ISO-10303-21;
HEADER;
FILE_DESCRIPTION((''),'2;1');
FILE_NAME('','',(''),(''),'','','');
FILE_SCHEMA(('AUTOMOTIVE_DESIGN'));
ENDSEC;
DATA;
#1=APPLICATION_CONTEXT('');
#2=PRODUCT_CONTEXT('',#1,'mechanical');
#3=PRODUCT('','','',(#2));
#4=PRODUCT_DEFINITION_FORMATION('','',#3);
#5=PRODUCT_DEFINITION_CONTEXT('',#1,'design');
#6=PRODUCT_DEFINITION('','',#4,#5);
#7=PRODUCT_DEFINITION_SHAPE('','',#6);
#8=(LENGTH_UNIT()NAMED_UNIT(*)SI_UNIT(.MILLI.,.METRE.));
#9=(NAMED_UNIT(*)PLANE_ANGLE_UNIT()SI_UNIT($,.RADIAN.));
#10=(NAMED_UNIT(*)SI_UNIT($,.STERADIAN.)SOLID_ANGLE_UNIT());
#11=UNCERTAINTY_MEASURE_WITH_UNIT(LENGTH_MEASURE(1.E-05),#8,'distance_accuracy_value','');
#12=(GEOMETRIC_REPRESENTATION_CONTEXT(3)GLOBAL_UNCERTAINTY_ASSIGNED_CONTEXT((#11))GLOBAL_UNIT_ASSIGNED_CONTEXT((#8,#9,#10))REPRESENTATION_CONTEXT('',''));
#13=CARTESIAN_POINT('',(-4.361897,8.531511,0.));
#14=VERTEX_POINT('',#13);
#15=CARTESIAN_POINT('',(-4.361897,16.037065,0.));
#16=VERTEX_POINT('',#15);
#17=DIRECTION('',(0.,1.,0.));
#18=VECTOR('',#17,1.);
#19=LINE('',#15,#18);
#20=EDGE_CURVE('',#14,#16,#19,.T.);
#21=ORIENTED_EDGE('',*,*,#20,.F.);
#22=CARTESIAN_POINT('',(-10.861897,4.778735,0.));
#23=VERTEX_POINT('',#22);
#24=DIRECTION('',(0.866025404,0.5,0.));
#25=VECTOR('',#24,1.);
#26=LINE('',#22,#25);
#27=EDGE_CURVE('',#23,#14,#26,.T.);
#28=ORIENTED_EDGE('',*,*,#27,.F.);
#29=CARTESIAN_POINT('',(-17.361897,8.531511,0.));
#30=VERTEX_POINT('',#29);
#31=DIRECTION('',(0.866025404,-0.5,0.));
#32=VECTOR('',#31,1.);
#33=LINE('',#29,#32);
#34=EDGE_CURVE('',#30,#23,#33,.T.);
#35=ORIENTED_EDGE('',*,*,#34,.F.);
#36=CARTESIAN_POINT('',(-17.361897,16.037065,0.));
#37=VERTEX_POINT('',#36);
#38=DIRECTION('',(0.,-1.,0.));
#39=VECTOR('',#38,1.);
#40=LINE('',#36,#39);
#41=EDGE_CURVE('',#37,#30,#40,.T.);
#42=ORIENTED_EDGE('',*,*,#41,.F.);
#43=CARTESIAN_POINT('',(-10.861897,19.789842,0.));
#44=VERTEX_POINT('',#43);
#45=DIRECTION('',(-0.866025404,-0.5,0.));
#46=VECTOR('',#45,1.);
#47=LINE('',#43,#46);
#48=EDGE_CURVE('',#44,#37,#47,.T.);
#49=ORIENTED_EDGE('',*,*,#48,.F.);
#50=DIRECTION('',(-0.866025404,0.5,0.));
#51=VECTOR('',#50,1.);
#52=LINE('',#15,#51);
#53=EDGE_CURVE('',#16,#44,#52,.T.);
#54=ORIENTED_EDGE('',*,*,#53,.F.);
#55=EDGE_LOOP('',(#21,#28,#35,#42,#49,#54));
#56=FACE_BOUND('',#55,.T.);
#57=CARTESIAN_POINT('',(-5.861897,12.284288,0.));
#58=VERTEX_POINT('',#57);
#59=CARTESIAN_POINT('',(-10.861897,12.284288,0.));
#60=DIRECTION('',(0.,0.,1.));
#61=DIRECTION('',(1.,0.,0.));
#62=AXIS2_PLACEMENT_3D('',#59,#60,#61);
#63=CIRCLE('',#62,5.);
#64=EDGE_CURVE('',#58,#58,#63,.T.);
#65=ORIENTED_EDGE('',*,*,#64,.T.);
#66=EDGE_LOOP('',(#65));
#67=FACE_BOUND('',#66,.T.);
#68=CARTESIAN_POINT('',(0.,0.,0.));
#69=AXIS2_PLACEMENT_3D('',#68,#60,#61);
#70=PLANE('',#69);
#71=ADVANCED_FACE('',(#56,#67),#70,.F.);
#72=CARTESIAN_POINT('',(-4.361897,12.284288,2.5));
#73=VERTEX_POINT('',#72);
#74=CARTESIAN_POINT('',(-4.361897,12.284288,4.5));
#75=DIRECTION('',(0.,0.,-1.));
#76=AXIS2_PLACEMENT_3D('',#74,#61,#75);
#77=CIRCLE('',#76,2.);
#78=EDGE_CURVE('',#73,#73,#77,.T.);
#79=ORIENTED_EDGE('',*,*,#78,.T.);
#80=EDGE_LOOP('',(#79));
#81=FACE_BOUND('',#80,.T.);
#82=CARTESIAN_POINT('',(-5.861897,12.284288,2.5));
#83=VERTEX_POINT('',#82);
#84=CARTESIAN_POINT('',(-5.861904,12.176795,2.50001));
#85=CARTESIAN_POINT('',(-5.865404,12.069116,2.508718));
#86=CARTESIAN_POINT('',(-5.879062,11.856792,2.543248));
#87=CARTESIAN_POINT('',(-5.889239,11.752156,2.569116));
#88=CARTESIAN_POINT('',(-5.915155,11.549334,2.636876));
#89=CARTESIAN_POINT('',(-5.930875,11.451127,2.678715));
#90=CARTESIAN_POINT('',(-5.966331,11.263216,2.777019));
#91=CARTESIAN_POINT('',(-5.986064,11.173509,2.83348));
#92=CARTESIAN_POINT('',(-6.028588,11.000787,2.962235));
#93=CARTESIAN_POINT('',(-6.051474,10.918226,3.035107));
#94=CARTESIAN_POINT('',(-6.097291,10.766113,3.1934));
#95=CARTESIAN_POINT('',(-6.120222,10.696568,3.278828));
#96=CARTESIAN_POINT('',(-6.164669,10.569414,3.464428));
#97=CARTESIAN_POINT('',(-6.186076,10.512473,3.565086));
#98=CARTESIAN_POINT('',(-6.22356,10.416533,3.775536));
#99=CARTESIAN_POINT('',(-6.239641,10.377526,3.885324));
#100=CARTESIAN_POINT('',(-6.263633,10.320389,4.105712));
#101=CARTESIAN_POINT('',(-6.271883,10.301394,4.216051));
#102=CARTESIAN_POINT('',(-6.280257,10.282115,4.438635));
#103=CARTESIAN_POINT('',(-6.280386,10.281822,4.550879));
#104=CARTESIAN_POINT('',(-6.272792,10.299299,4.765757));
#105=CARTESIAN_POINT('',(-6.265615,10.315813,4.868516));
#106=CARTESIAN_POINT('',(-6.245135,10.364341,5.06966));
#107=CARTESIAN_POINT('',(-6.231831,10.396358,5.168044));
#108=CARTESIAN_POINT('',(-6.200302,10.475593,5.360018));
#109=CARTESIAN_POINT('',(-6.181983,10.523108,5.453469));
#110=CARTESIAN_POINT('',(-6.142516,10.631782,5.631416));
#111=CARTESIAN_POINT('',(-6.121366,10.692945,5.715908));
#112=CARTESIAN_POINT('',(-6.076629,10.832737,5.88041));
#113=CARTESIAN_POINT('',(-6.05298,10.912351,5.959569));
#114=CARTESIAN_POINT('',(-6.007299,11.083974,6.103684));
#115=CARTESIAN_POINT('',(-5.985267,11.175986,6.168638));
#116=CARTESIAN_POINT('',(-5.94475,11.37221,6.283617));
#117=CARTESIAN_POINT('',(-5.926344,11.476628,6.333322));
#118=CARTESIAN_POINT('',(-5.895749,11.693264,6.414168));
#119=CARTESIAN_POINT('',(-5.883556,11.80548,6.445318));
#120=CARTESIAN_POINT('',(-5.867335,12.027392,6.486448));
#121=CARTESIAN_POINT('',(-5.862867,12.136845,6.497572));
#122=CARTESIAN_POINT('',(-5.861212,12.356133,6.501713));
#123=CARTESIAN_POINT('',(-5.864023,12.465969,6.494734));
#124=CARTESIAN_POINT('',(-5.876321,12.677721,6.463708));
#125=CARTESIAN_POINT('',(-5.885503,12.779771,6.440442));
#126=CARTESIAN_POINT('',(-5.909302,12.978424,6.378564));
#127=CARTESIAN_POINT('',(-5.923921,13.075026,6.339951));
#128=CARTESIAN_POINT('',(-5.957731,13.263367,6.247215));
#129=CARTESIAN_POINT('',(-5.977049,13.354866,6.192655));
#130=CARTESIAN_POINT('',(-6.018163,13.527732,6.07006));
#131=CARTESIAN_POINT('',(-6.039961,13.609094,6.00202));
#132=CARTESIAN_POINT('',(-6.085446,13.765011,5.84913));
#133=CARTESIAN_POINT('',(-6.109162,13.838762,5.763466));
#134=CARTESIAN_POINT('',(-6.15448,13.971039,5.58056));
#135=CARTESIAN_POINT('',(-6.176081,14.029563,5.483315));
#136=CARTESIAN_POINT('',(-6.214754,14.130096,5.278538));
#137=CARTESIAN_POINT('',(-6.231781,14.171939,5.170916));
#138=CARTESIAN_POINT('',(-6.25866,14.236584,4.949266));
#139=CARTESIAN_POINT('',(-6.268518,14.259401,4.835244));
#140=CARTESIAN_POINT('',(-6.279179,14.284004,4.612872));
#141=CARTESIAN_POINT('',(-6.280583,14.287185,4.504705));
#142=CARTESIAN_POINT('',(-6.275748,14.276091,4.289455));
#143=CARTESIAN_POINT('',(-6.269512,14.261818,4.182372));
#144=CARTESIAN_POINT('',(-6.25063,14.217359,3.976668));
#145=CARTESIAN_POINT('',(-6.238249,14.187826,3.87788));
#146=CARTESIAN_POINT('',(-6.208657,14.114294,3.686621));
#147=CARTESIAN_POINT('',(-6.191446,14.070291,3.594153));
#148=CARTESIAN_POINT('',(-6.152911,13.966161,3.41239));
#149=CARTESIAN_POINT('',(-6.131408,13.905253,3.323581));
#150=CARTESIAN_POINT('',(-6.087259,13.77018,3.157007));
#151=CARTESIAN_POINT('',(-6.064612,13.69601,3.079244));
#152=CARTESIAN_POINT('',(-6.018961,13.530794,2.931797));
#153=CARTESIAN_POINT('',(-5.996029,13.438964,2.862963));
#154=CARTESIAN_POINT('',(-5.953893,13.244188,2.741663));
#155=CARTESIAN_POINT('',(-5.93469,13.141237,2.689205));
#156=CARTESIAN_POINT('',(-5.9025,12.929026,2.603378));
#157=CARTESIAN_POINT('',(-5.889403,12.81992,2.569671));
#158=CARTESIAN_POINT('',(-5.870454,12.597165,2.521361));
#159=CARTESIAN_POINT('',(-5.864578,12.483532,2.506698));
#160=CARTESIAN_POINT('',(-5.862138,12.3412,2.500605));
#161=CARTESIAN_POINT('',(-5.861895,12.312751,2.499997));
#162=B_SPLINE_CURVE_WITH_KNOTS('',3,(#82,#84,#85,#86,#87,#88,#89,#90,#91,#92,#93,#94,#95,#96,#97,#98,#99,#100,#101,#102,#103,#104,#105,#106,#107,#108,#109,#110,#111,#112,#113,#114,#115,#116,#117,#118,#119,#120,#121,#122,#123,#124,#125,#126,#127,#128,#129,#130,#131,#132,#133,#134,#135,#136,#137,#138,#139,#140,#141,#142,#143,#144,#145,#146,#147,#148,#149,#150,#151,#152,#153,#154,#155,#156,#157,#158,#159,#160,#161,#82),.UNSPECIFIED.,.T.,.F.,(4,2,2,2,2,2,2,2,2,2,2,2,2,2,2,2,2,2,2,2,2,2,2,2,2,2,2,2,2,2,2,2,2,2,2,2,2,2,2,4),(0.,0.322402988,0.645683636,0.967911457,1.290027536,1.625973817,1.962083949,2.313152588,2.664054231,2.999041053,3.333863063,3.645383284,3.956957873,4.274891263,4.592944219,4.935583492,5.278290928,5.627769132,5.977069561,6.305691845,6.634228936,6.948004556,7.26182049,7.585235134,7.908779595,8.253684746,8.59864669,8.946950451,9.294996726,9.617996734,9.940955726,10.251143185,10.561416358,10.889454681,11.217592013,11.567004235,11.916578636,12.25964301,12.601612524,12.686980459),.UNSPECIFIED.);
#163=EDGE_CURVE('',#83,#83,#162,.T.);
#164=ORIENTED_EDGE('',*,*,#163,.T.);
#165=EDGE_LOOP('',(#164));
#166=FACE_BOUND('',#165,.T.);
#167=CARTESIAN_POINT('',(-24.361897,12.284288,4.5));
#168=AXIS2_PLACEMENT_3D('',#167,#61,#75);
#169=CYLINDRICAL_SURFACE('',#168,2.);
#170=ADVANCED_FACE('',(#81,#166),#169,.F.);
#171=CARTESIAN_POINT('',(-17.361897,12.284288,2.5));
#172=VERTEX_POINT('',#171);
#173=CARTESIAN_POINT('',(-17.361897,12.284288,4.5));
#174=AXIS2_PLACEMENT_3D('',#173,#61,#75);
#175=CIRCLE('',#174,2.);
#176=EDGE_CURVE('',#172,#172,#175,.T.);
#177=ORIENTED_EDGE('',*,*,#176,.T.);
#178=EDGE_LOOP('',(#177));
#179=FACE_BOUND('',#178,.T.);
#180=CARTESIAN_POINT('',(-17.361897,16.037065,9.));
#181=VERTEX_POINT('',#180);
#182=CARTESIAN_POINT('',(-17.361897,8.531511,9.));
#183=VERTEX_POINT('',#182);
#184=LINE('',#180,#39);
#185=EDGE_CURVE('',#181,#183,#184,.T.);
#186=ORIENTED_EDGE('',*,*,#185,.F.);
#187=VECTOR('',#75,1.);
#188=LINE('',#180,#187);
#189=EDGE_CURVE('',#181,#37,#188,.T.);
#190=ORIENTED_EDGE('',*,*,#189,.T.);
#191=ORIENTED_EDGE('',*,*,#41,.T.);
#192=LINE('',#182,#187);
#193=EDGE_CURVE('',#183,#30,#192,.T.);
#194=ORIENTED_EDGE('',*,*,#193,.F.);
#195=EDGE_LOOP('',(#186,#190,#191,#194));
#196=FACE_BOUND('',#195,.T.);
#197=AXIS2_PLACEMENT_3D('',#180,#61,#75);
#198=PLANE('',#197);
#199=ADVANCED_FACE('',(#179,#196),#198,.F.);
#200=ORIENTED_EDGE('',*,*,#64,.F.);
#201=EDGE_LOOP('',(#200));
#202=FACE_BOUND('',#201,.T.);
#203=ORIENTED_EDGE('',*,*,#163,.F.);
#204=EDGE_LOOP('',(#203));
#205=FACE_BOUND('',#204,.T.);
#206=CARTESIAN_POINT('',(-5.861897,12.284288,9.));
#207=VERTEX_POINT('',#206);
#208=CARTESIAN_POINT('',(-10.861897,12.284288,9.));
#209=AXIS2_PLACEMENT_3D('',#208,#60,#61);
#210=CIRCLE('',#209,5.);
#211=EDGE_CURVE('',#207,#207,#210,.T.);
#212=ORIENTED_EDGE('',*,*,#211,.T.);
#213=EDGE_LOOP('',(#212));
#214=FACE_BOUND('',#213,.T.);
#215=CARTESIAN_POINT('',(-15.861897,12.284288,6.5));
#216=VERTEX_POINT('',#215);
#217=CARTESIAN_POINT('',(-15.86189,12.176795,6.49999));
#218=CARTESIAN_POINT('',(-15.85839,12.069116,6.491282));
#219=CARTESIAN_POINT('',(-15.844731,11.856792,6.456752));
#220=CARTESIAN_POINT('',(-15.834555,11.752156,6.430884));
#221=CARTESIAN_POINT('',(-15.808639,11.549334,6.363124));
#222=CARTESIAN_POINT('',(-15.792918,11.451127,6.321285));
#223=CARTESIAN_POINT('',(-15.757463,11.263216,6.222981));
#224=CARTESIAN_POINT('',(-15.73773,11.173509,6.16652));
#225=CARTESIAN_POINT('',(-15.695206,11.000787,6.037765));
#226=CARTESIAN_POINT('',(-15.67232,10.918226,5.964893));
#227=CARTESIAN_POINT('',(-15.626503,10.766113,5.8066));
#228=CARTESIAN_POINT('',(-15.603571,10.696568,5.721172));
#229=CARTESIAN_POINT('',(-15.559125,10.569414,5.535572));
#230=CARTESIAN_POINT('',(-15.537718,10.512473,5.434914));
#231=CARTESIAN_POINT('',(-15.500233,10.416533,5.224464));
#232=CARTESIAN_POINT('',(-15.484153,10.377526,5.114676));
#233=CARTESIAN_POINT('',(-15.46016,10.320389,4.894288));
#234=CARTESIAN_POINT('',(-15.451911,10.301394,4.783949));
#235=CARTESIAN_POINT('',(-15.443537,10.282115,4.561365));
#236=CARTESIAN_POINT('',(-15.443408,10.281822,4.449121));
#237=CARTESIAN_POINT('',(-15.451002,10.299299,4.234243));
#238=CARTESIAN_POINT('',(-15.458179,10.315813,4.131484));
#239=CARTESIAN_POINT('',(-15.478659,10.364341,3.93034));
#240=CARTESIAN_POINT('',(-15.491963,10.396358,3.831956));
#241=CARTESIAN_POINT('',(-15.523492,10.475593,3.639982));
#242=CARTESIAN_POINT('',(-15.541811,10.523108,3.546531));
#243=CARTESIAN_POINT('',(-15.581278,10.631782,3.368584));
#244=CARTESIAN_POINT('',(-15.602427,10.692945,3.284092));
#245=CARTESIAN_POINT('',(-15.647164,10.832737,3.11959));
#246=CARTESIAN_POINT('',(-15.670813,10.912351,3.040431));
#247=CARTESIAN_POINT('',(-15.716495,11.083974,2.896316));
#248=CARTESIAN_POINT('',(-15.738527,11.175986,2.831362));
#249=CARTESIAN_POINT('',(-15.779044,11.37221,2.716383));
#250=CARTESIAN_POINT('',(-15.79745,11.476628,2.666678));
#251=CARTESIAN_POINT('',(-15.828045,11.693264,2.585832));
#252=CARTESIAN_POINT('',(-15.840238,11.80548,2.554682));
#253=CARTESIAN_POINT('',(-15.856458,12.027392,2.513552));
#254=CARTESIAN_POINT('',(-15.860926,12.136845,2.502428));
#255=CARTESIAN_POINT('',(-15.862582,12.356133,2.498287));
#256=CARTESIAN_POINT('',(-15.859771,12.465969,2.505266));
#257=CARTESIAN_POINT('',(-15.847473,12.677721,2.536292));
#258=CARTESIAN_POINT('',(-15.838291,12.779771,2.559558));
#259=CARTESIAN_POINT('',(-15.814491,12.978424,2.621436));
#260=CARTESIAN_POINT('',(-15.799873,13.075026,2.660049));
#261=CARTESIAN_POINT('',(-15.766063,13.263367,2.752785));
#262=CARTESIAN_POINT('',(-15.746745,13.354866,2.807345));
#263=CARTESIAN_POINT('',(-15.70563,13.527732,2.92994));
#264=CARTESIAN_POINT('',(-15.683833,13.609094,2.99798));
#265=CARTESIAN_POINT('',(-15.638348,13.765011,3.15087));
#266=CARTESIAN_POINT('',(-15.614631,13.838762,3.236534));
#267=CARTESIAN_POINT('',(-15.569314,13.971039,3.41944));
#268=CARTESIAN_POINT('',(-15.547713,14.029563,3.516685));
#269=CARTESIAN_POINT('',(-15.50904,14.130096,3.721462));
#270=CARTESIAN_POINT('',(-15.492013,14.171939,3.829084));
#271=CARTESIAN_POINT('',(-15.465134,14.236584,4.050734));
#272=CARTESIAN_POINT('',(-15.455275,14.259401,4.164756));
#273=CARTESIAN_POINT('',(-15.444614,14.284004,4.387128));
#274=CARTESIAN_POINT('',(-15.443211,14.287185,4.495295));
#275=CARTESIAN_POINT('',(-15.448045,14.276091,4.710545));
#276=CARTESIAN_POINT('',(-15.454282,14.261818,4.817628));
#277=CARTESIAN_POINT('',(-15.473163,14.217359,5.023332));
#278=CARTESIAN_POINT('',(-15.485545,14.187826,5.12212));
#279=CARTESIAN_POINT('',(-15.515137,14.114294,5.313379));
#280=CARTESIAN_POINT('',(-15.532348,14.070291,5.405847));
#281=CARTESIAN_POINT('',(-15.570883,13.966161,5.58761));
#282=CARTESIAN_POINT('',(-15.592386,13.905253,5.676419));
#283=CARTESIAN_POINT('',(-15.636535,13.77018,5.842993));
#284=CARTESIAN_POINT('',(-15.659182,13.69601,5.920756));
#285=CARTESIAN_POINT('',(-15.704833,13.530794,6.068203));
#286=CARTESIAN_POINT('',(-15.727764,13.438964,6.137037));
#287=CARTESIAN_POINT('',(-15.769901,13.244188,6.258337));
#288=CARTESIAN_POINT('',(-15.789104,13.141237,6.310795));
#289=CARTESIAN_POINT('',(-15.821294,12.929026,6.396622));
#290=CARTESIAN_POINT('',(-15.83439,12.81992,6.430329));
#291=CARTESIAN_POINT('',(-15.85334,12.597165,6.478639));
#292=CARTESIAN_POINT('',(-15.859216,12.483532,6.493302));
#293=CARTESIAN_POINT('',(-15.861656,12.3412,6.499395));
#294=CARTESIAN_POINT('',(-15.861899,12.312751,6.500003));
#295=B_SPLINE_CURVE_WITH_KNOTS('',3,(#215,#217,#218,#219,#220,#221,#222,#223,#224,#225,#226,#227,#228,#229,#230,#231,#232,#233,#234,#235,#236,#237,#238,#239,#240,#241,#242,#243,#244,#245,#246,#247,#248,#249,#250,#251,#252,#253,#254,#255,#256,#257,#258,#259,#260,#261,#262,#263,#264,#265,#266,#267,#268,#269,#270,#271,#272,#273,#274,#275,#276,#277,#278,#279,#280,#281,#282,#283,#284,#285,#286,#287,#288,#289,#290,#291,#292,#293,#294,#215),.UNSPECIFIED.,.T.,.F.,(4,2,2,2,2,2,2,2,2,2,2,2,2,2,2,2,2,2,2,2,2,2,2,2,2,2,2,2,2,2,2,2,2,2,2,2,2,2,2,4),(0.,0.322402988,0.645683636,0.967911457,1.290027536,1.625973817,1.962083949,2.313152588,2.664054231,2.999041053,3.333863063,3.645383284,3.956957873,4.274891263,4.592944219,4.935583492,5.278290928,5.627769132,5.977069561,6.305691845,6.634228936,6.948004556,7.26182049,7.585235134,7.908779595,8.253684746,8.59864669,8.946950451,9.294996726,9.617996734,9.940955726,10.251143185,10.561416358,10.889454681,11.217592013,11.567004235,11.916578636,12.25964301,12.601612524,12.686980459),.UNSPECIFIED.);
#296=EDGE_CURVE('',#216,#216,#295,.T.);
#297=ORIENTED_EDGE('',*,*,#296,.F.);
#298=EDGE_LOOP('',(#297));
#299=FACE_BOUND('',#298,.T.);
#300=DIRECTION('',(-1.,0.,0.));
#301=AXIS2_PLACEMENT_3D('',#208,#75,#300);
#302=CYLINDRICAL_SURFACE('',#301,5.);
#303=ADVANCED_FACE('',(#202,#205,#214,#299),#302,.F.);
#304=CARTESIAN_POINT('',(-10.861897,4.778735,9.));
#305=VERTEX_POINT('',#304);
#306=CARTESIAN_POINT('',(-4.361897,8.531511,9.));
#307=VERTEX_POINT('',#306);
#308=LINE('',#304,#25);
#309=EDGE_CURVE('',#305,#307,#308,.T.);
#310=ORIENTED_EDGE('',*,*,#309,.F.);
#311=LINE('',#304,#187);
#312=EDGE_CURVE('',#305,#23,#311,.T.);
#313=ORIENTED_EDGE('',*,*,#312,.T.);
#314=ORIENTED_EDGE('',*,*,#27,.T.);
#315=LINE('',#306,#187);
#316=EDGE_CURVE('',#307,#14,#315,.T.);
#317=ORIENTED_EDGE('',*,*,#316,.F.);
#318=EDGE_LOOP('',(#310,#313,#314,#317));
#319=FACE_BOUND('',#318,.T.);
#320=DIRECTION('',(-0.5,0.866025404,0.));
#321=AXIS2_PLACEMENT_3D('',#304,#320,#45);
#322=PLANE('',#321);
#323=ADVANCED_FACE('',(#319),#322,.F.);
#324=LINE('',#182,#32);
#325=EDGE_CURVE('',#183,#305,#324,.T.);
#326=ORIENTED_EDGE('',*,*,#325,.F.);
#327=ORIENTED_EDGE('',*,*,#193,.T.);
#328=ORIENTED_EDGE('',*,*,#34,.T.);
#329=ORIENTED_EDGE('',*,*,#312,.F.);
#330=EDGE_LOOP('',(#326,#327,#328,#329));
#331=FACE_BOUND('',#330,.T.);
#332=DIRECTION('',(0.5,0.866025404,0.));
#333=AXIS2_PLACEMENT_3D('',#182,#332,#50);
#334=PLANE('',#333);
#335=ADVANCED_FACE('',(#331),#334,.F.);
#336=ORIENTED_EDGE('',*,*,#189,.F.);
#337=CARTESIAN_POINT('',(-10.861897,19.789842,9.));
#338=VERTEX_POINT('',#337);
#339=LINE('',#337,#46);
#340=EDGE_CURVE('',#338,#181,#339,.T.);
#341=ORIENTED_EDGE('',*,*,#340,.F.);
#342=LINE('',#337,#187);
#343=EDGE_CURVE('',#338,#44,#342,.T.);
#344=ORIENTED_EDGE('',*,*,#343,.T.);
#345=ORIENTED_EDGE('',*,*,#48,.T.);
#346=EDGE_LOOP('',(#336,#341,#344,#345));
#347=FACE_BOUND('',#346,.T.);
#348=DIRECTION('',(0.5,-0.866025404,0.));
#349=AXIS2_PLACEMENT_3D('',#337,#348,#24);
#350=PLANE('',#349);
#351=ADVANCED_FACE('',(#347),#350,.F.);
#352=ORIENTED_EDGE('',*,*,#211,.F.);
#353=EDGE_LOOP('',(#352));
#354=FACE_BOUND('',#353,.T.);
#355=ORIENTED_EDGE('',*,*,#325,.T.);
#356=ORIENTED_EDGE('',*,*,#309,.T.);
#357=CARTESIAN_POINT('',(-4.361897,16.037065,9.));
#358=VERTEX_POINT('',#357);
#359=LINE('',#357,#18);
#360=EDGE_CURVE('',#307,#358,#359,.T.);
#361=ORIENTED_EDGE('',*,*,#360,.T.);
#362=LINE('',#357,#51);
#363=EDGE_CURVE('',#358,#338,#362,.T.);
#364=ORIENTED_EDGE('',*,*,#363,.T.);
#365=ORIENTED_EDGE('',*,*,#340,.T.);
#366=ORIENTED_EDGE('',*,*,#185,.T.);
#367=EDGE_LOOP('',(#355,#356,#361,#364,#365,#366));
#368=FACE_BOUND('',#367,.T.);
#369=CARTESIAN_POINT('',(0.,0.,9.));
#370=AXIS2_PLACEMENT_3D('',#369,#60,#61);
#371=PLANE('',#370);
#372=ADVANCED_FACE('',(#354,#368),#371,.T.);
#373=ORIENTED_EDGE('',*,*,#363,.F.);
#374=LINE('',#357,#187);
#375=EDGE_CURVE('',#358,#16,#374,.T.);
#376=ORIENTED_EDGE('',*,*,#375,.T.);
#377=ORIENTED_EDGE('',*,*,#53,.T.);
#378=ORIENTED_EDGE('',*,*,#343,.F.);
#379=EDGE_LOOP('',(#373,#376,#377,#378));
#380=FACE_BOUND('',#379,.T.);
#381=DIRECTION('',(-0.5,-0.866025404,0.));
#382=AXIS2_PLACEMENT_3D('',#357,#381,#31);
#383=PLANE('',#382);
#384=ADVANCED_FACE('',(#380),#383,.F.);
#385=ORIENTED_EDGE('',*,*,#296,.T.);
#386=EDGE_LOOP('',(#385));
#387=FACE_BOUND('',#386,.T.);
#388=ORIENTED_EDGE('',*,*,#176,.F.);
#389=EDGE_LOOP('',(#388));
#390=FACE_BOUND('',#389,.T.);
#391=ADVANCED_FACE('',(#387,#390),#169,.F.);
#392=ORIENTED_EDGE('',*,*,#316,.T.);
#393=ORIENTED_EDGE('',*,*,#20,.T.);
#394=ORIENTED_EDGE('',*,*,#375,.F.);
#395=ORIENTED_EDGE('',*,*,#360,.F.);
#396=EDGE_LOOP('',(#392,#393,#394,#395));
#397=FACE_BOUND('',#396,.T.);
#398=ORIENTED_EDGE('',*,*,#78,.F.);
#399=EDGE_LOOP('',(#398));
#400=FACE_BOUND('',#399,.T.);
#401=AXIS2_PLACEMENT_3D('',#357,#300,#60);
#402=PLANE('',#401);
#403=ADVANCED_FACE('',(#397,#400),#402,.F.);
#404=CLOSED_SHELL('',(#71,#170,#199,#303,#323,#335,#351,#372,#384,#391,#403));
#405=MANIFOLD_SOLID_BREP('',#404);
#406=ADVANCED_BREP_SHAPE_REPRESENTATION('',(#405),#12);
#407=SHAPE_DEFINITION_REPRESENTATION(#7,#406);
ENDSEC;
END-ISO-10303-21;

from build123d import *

# Parameters (mm, degrees)
SKETCH1_R           = 5
BOSS_EXTRUDE1_DEPTH = 9
SKETCH2_R           = 2
CUT_EXTRUDE1_DEPTH  = 20


with BuildPart() as part:
    # Sketch1 → Boss-Extrude1 (new body)
    with BuildSketch(Plane.XY):
        Polygon((-4.361896839, 16.037064841), (-4.361896839, 8.531511342), (-10.861896839, 4.778734592), (-17.361896839, 8.531511342), (-17.361896839, 16.037064841), (-10.861896839, 19.789841591), align=None)
        with Locations((-10.861896839, 12.284288091)):
            Circle(SKETCH1_R, mode=Mode.SUBTRACT)
    extrude(amount=BOSS_EXTRUDE1_DEPTH)

    # Sketch2 → Cut-Extrude1 (cut)
    with BuildSketch(Plane(origin=(-4.361896839, 0, 0), x_dir=(0, 0, -1), z_dir=(1, 0, 0))):
        with Locations((-4.5, 12.284288091)):
            Circle(SKETCH2_R)
    extrude(amount=-CUT_EXTRUDE1_DEPTH, mode=Mode.SUBTRACT)


solid = part.part
